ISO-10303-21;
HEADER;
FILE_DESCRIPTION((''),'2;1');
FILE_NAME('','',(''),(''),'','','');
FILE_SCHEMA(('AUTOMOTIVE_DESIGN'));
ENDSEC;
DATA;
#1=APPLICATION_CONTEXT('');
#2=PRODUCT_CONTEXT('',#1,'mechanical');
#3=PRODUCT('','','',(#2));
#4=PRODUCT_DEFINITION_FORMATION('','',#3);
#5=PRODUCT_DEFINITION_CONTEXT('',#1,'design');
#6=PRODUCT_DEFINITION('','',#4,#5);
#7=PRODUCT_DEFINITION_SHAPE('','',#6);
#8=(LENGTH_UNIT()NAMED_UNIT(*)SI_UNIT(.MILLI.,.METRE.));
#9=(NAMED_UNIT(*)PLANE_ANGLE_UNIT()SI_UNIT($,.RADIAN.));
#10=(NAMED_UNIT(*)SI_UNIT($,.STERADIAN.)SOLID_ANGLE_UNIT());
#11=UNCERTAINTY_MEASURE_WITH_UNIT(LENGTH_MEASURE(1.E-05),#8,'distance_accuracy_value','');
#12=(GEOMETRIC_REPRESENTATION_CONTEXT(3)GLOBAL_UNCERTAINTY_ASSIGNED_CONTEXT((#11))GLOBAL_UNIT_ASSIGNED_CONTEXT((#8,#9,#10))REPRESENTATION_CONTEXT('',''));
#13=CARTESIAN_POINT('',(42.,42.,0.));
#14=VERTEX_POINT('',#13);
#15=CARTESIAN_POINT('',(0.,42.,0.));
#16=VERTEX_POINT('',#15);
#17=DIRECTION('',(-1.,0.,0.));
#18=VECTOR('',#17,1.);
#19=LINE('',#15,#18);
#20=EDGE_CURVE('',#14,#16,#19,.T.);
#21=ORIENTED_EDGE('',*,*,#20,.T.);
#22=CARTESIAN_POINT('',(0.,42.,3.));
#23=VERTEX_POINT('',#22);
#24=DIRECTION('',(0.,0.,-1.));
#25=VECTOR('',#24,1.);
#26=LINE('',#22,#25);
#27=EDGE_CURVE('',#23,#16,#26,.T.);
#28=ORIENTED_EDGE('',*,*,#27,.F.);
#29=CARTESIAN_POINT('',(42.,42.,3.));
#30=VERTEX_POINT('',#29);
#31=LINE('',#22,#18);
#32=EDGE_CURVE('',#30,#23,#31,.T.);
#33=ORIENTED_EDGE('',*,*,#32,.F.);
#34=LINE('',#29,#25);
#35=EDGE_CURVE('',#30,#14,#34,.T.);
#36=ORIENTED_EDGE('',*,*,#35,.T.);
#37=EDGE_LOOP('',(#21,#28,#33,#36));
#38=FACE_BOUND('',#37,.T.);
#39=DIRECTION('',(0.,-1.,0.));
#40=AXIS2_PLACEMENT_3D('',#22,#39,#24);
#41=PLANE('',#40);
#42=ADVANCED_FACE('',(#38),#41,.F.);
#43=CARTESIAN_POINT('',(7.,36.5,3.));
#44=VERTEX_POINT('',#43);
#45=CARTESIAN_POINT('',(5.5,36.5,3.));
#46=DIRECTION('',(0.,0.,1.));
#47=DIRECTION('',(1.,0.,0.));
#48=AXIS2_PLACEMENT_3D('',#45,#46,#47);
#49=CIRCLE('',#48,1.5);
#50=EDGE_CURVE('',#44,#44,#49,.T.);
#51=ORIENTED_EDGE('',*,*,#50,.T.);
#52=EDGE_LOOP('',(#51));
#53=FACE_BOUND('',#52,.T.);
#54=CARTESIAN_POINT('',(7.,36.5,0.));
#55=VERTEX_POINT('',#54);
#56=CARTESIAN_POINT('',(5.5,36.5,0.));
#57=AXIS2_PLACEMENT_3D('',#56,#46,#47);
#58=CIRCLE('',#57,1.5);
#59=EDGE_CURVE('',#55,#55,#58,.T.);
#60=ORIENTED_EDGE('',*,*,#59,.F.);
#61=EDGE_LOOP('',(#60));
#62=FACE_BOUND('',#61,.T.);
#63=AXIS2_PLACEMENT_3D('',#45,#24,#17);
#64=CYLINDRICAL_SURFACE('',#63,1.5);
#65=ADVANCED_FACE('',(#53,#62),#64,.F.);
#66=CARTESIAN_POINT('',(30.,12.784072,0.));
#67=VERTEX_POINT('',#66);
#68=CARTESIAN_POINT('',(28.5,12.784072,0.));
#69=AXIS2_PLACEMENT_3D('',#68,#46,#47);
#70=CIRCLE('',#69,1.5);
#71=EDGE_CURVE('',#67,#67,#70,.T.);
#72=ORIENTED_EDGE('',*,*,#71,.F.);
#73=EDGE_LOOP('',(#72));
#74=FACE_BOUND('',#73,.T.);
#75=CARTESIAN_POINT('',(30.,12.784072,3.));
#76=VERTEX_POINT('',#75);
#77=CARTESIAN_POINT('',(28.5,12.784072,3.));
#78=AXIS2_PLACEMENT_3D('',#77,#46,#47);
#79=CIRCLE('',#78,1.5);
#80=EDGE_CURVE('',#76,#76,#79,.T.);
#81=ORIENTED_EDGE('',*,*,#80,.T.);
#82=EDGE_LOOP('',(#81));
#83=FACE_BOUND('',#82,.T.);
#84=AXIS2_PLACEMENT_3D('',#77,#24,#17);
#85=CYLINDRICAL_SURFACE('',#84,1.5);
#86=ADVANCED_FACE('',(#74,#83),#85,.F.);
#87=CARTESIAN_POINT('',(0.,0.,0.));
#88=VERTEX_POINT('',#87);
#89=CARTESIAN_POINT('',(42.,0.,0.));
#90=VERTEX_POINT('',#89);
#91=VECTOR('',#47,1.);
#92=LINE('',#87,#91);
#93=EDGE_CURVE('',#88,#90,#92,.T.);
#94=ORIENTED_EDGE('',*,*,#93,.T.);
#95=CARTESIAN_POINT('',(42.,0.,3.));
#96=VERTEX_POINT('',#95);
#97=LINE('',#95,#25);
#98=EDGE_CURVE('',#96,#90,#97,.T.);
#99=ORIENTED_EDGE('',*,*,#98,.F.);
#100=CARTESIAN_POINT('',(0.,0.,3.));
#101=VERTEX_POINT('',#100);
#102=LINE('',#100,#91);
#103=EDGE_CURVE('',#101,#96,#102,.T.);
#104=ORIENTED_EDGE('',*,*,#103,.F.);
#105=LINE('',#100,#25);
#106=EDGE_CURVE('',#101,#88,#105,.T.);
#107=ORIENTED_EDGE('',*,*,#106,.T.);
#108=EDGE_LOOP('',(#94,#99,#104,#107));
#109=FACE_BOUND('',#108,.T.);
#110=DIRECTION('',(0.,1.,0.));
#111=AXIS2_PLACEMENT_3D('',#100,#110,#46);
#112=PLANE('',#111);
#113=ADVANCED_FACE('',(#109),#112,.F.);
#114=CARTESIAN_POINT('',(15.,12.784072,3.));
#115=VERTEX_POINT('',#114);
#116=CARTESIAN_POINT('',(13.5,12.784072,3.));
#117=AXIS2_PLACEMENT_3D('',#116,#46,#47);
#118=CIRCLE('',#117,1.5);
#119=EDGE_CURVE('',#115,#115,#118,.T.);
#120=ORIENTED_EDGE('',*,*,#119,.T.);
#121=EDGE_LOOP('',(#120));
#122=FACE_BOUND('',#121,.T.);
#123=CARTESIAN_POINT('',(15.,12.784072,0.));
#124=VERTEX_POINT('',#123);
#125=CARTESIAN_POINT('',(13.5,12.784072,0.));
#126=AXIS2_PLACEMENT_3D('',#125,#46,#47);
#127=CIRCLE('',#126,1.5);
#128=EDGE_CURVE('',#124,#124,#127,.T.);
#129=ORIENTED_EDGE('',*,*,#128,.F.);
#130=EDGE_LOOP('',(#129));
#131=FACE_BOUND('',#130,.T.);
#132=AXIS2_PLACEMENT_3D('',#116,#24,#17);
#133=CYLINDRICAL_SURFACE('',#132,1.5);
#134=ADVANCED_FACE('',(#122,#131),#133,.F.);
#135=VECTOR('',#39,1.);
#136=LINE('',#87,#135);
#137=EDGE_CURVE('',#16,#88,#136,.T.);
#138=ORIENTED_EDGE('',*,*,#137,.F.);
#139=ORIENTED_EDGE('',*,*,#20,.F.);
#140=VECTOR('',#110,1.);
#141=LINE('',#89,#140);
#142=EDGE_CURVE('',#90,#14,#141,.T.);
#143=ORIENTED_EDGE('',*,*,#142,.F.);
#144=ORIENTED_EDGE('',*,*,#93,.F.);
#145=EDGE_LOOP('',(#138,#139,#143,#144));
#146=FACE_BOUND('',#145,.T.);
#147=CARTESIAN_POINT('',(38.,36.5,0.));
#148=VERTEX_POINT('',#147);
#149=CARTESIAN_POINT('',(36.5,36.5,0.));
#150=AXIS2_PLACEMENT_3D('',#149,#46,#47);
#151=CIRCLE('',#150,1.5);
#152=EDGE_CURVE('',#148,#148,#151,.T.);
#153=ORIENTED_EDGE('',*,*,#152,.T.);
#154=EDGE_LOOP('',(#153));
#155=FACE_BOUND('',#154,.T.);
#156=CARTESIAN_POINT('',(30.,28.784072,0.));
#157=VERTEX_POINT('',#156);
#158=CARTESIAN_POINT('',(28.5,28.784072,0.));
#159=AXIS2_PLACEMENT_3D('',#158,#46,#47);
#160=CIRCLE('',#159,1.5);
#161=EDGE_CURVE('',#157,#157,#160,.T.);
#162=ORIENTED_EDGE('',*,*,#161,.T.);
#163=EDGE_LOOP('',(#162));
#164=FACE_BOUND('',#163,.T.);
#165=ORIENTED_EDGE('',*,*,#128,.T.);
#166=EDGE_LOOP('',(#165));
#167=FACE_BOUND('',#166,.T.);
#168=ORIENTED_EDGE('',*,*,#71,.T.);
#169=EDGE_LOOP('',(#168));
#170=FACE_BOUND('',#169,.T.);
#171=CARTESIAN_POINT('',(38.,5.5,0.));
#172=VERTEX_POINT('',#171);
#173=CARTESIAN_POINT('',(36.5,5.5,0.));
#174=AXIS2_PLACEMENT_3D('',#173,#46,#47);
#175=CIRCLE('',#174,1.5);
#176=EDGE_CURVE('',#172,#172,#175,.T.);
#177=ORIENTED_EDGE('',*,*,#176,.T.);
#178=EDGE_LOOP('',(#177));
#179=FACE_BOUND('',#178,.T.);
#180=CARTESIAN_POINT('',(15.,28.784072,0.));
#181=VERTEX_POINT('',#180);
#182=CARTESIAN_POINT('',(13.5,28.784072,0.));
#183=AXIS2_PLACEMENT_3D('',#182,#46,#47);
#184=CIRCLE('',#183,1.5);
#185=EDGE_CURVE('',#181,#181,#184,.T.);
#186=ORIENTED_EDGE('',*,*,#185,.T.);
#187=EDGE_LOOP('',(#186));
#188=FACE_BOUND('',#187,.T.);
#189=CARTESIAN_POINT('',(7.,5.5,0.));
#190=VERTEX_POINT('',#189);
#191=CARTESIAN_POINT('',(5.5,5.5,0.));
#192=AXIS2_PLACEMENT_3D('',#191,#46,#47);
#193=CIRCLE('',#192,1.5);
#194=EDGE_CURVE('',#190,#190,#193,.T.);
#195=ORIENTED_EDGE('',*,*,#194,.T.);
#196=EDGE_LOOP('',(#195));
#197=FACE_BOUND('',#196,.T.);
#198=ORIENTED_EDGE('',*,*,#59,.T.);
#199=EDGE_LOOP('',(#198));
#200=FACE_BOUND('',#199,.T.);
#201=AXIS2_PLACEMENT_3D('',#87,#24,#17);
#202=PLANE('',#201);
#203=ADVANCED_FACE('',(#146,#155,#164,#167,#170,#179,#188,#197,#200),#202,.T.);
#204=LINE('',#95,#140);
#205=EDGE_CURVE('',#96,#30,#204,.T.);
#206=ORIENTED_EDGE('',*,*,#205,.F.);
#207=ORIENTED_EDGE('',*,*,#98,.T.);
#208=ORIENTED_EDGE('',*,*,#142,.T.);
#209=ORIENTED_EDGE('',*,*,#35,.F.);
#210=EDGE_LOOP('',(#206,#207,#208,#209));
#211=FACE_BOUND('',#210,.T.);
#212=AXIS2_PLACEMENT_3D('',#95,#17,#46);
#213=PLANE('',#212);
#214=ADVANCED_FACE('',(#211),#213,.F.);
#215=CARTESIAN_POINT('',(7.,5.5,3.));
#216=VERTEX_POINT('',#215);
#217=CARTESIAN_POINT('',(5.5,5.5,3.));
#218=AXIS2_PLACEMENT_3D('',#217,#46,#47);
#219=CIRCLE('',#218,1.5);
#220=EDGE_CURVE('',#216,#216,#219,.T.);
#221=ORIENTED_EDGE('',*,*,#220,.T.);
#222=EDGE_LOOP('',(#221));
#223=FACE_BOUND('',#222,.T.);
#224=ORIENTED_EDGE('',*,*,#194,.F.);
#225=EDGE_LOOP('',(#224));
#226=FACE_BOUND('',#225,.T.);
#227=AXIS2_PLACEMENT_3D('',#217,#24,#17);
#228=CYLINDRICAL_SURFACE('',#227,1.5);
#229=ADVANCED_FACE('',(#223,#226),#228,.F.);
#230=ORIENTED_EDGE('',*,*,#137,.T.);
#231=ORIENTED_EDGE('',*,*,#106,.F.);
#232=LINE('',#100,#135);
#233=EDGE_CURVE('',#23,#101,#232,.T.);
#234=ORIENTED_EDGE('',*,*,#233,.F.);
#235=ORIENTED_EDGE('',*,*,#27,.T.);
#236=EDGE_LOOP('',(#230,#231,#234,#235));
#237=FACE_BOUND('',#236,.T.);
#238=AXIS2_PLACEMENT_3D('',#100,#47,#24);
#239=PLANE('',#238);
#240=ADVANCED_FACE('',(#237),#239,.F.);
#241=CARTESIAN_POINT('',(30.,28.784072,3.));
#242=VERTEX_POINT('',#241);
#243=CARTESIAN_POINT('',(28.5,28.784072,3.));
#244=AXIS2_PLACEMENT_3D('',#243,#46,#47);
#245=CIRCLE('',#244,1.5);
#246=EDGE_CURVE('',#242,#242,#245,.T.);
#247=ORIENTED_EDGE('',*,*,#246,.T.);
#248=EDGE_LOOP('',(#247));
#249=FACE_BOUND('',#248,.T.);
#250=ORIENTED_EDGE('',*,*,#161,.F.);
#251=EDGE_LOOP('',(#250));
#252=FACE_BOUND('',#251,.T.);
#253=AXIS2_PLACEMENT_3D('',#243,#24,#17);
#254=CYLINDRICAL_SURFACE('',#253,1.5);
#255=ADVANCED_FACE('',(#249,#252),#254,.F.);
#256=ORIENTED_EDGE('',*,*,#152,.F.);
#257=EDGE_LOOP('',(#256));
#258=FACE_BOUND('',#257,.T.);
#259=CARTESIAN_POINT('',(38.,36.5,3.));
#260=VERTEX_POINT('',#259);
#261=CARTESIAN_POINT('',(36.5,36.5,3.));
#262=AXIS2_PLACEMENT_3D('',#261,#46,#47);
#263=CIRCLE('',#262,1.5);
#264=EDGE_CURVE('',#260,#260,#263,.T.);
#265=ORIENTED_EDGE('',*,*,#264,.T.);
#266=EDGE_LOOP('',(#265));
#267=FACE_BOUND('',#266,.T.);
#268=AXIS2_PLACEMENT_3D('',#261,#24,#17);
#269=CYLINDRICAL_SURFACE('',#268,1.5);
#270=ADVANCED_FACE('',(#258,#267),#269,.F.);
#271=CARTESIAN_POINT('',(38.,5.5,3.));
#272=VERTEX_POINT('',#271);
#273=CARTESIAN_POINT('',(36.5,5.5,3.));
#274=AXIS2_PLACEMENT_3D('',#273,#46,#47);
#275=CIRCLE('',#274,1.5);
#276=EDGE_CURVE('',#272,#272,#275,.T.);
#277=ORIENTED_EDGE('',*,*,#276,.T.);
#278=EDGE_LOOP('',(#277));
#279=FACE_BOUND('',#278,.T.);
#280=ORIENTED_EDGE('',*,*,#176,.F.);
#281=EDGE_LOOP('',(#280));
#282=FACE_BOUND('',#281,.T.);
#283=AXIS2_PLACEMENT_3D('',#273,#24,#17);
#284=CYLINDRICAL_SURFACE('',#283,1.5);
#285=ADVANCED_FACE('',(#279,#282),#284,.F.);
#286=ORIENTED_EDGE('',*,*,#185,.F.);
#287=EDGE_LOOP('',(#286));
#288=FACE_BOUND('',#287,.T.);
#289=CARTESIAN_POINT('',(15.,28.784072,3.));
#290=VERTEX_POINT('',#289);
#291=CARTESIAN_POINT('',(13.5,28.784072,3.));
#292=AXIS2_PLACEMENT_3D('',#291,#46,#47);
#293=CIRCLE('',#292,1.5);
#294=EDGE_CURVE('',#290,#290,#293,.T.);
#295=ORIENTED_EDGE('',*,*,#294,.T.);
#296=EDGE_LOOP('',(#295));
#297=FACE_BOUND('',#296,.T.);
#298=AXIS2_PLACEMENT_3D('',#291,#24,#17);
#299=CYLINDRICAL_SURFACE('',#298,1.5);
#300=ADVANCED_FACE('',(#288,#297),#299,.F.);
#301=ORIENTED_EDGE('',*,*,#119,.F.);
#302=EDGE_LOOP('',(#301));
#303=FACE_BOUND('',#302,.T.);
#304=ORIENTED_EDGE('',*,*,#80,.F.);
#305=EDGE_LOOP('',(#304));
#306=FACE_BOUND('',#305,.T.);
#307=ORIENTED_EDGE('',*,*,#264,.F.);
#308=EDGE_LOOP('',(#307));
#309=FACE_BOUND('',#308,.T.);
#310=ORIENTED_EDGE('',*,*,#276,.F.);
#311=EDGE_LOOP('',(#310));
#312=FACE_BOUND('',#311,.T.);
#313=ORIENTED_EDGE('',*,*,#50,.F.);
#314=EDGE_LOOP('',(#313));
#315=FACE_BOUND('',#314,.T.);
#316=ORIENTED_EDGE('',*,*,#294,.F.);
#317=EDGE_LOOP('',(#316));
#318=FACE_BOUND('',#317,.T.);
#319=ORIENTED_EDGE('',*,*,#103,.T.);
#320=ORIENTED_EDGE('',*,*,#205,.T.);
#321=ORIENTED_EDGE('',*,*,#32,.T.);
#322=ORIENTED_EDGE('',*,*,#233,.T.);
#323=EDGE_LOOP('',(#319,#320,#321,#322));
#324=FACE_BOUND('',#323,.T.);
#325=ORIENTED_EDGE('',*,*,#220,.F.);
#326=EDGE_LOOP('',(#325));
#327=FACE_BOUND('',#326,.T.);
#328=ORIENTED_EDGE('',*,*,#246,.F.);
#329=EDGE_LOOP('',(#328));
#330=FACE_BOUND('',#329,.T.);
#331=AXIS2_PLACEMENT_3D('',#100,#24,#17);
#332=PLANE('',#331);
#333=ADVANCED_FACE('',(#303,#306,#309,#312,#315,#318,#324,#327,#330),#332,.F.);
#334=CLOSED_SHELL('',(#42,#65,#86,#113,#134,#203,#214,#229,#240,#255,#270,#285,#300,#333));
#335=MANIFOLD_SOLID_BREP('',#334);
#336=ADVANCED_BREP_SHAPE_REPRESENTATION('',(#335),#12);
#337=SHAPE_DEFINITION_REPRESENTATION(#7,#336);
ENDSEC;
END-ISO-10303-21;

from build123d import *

# Parameters (mm, degrees)
SKETCH1_W           = 42
SKETCH1_H           = 42
SKETCH1_R           = 1.5
BOSS_EXTRUDE1_DEPTH = 3


with BuildPart() as part:
    # Sketch1 → Boss-Extrude1 (new body)
    with BuildSketch(Plane.XY):
        with Locations((21, 21)):
            Rectangle(SKETCH1_W, SKETCH1_H)
        with Locations((5.5, 36.5)):
            Circle(SKETCH1_R, mode=Mode.SUBTRACT)
        with Locations((36.5, 36.5)):
            Circle(SKETCH1_R, mode=Mode.SUBTRACT)
        with Locations((36.5, 5.5)):
            Circle(SKETCH1_R, mode=Mode.SUBTRACT)
        with Locations((5.5, 5.5)):
            Circle(SKETCH1_R, mode=Mode.SUBTRACT)
        with Locations((13.5, 28.78407244)):
            Circle(SKETCH1_R, mode=Mode.SUBTRACT)
        with Locations((28.5, 28.78407244)):
            Circle(SKETCH1_R, mode=Mode.SUBTRACT)
        with Locations((28.5, 12.78407244)):
            Circle(SKETCH1_R, mode=Mode.SUBTRACT)
        with Locations((13.5, 12.78407244)):
            Circle(SKETCH1_R, mode=Mode.SUBTRACT)
    extrude(amount=BOSS_EXTRUDE1_DEPTH)


solid = part.part
